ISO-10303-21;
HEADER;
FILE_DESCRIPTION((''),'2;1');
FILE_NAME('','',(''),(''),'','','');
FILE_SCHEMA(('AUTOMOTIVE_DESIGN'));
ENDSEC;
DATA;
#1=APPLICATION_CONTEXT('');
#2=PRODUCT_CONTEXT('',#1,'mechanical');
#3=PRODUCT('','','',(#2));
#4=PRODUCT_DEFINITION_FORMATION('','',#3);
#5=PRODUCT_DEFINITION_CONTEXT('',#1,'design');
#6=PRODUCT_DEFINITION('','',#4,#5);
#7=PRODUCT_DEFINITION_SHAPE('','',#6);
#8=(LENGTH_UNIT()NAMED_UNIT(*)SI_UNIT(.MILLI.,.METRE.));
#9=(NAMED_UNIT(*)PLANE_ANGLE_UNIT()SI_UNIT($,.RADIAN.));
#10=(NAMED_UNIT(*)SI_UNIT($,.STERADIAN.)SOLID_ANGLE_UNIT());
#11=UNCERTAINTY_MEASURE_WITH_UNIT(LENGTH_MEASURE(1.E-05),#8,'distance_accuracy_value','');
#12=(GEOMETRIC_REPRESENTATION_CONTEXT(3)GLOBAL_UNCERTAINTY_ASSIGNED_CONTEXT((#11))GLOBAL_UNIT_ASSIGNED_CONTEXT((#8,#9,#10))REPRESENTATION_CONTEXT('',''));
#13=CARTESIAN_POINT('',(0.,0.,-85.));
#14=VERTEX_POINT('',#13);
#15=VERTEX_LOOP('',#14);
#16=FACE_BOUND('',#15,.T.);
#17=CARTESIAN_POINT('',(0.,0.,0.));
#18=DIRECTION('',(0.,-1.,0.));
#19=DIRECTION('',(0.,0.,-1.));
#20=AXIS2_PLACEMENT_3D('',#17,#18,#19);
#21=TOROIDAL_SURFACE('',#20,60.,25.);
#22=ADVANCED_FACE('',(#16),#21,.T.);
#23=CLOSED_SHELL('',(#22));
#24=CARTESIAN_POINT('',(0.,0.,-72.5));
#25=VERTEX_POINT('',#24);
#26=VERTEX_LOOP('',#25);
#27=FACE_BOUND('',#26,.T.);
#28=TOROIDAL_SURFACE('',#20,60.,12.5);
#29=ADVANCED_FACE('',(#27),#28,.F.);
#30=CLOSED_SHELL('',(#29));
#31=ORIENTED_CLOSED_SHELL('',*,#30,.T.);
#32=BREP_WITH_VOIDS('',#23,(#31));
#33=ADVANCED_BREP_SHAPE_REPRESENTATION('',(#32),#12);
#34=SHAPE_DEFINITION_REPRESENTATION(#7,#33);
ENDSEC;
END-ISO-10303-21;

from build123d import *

# Parameters (mm, degrees)
SKETCH_1_R   = 25
SKETCH_1_R_2 = 12.5


with BuildPart() as part:
    # Эскиз1 → Повернуть1 (revolve)
    with BuildSketch(Plane.XY, mode=Mode.PRIVATE) as revolve_1_sk:
        with Locations((-60, 0)):
            Circle(SKETCH_1_R)
        with Locations((-60, 0)):
            Circle(SKETCH_1_R_2, mode=Mode.SUBTRACT)
    revolve(revolve_1_sk.sketch.rotate(Axis((0, 0, 0), (0, 1, 0)), 270), axis=Axis((0, 0, 0), (0, 1, 0)))


solid = part.part
